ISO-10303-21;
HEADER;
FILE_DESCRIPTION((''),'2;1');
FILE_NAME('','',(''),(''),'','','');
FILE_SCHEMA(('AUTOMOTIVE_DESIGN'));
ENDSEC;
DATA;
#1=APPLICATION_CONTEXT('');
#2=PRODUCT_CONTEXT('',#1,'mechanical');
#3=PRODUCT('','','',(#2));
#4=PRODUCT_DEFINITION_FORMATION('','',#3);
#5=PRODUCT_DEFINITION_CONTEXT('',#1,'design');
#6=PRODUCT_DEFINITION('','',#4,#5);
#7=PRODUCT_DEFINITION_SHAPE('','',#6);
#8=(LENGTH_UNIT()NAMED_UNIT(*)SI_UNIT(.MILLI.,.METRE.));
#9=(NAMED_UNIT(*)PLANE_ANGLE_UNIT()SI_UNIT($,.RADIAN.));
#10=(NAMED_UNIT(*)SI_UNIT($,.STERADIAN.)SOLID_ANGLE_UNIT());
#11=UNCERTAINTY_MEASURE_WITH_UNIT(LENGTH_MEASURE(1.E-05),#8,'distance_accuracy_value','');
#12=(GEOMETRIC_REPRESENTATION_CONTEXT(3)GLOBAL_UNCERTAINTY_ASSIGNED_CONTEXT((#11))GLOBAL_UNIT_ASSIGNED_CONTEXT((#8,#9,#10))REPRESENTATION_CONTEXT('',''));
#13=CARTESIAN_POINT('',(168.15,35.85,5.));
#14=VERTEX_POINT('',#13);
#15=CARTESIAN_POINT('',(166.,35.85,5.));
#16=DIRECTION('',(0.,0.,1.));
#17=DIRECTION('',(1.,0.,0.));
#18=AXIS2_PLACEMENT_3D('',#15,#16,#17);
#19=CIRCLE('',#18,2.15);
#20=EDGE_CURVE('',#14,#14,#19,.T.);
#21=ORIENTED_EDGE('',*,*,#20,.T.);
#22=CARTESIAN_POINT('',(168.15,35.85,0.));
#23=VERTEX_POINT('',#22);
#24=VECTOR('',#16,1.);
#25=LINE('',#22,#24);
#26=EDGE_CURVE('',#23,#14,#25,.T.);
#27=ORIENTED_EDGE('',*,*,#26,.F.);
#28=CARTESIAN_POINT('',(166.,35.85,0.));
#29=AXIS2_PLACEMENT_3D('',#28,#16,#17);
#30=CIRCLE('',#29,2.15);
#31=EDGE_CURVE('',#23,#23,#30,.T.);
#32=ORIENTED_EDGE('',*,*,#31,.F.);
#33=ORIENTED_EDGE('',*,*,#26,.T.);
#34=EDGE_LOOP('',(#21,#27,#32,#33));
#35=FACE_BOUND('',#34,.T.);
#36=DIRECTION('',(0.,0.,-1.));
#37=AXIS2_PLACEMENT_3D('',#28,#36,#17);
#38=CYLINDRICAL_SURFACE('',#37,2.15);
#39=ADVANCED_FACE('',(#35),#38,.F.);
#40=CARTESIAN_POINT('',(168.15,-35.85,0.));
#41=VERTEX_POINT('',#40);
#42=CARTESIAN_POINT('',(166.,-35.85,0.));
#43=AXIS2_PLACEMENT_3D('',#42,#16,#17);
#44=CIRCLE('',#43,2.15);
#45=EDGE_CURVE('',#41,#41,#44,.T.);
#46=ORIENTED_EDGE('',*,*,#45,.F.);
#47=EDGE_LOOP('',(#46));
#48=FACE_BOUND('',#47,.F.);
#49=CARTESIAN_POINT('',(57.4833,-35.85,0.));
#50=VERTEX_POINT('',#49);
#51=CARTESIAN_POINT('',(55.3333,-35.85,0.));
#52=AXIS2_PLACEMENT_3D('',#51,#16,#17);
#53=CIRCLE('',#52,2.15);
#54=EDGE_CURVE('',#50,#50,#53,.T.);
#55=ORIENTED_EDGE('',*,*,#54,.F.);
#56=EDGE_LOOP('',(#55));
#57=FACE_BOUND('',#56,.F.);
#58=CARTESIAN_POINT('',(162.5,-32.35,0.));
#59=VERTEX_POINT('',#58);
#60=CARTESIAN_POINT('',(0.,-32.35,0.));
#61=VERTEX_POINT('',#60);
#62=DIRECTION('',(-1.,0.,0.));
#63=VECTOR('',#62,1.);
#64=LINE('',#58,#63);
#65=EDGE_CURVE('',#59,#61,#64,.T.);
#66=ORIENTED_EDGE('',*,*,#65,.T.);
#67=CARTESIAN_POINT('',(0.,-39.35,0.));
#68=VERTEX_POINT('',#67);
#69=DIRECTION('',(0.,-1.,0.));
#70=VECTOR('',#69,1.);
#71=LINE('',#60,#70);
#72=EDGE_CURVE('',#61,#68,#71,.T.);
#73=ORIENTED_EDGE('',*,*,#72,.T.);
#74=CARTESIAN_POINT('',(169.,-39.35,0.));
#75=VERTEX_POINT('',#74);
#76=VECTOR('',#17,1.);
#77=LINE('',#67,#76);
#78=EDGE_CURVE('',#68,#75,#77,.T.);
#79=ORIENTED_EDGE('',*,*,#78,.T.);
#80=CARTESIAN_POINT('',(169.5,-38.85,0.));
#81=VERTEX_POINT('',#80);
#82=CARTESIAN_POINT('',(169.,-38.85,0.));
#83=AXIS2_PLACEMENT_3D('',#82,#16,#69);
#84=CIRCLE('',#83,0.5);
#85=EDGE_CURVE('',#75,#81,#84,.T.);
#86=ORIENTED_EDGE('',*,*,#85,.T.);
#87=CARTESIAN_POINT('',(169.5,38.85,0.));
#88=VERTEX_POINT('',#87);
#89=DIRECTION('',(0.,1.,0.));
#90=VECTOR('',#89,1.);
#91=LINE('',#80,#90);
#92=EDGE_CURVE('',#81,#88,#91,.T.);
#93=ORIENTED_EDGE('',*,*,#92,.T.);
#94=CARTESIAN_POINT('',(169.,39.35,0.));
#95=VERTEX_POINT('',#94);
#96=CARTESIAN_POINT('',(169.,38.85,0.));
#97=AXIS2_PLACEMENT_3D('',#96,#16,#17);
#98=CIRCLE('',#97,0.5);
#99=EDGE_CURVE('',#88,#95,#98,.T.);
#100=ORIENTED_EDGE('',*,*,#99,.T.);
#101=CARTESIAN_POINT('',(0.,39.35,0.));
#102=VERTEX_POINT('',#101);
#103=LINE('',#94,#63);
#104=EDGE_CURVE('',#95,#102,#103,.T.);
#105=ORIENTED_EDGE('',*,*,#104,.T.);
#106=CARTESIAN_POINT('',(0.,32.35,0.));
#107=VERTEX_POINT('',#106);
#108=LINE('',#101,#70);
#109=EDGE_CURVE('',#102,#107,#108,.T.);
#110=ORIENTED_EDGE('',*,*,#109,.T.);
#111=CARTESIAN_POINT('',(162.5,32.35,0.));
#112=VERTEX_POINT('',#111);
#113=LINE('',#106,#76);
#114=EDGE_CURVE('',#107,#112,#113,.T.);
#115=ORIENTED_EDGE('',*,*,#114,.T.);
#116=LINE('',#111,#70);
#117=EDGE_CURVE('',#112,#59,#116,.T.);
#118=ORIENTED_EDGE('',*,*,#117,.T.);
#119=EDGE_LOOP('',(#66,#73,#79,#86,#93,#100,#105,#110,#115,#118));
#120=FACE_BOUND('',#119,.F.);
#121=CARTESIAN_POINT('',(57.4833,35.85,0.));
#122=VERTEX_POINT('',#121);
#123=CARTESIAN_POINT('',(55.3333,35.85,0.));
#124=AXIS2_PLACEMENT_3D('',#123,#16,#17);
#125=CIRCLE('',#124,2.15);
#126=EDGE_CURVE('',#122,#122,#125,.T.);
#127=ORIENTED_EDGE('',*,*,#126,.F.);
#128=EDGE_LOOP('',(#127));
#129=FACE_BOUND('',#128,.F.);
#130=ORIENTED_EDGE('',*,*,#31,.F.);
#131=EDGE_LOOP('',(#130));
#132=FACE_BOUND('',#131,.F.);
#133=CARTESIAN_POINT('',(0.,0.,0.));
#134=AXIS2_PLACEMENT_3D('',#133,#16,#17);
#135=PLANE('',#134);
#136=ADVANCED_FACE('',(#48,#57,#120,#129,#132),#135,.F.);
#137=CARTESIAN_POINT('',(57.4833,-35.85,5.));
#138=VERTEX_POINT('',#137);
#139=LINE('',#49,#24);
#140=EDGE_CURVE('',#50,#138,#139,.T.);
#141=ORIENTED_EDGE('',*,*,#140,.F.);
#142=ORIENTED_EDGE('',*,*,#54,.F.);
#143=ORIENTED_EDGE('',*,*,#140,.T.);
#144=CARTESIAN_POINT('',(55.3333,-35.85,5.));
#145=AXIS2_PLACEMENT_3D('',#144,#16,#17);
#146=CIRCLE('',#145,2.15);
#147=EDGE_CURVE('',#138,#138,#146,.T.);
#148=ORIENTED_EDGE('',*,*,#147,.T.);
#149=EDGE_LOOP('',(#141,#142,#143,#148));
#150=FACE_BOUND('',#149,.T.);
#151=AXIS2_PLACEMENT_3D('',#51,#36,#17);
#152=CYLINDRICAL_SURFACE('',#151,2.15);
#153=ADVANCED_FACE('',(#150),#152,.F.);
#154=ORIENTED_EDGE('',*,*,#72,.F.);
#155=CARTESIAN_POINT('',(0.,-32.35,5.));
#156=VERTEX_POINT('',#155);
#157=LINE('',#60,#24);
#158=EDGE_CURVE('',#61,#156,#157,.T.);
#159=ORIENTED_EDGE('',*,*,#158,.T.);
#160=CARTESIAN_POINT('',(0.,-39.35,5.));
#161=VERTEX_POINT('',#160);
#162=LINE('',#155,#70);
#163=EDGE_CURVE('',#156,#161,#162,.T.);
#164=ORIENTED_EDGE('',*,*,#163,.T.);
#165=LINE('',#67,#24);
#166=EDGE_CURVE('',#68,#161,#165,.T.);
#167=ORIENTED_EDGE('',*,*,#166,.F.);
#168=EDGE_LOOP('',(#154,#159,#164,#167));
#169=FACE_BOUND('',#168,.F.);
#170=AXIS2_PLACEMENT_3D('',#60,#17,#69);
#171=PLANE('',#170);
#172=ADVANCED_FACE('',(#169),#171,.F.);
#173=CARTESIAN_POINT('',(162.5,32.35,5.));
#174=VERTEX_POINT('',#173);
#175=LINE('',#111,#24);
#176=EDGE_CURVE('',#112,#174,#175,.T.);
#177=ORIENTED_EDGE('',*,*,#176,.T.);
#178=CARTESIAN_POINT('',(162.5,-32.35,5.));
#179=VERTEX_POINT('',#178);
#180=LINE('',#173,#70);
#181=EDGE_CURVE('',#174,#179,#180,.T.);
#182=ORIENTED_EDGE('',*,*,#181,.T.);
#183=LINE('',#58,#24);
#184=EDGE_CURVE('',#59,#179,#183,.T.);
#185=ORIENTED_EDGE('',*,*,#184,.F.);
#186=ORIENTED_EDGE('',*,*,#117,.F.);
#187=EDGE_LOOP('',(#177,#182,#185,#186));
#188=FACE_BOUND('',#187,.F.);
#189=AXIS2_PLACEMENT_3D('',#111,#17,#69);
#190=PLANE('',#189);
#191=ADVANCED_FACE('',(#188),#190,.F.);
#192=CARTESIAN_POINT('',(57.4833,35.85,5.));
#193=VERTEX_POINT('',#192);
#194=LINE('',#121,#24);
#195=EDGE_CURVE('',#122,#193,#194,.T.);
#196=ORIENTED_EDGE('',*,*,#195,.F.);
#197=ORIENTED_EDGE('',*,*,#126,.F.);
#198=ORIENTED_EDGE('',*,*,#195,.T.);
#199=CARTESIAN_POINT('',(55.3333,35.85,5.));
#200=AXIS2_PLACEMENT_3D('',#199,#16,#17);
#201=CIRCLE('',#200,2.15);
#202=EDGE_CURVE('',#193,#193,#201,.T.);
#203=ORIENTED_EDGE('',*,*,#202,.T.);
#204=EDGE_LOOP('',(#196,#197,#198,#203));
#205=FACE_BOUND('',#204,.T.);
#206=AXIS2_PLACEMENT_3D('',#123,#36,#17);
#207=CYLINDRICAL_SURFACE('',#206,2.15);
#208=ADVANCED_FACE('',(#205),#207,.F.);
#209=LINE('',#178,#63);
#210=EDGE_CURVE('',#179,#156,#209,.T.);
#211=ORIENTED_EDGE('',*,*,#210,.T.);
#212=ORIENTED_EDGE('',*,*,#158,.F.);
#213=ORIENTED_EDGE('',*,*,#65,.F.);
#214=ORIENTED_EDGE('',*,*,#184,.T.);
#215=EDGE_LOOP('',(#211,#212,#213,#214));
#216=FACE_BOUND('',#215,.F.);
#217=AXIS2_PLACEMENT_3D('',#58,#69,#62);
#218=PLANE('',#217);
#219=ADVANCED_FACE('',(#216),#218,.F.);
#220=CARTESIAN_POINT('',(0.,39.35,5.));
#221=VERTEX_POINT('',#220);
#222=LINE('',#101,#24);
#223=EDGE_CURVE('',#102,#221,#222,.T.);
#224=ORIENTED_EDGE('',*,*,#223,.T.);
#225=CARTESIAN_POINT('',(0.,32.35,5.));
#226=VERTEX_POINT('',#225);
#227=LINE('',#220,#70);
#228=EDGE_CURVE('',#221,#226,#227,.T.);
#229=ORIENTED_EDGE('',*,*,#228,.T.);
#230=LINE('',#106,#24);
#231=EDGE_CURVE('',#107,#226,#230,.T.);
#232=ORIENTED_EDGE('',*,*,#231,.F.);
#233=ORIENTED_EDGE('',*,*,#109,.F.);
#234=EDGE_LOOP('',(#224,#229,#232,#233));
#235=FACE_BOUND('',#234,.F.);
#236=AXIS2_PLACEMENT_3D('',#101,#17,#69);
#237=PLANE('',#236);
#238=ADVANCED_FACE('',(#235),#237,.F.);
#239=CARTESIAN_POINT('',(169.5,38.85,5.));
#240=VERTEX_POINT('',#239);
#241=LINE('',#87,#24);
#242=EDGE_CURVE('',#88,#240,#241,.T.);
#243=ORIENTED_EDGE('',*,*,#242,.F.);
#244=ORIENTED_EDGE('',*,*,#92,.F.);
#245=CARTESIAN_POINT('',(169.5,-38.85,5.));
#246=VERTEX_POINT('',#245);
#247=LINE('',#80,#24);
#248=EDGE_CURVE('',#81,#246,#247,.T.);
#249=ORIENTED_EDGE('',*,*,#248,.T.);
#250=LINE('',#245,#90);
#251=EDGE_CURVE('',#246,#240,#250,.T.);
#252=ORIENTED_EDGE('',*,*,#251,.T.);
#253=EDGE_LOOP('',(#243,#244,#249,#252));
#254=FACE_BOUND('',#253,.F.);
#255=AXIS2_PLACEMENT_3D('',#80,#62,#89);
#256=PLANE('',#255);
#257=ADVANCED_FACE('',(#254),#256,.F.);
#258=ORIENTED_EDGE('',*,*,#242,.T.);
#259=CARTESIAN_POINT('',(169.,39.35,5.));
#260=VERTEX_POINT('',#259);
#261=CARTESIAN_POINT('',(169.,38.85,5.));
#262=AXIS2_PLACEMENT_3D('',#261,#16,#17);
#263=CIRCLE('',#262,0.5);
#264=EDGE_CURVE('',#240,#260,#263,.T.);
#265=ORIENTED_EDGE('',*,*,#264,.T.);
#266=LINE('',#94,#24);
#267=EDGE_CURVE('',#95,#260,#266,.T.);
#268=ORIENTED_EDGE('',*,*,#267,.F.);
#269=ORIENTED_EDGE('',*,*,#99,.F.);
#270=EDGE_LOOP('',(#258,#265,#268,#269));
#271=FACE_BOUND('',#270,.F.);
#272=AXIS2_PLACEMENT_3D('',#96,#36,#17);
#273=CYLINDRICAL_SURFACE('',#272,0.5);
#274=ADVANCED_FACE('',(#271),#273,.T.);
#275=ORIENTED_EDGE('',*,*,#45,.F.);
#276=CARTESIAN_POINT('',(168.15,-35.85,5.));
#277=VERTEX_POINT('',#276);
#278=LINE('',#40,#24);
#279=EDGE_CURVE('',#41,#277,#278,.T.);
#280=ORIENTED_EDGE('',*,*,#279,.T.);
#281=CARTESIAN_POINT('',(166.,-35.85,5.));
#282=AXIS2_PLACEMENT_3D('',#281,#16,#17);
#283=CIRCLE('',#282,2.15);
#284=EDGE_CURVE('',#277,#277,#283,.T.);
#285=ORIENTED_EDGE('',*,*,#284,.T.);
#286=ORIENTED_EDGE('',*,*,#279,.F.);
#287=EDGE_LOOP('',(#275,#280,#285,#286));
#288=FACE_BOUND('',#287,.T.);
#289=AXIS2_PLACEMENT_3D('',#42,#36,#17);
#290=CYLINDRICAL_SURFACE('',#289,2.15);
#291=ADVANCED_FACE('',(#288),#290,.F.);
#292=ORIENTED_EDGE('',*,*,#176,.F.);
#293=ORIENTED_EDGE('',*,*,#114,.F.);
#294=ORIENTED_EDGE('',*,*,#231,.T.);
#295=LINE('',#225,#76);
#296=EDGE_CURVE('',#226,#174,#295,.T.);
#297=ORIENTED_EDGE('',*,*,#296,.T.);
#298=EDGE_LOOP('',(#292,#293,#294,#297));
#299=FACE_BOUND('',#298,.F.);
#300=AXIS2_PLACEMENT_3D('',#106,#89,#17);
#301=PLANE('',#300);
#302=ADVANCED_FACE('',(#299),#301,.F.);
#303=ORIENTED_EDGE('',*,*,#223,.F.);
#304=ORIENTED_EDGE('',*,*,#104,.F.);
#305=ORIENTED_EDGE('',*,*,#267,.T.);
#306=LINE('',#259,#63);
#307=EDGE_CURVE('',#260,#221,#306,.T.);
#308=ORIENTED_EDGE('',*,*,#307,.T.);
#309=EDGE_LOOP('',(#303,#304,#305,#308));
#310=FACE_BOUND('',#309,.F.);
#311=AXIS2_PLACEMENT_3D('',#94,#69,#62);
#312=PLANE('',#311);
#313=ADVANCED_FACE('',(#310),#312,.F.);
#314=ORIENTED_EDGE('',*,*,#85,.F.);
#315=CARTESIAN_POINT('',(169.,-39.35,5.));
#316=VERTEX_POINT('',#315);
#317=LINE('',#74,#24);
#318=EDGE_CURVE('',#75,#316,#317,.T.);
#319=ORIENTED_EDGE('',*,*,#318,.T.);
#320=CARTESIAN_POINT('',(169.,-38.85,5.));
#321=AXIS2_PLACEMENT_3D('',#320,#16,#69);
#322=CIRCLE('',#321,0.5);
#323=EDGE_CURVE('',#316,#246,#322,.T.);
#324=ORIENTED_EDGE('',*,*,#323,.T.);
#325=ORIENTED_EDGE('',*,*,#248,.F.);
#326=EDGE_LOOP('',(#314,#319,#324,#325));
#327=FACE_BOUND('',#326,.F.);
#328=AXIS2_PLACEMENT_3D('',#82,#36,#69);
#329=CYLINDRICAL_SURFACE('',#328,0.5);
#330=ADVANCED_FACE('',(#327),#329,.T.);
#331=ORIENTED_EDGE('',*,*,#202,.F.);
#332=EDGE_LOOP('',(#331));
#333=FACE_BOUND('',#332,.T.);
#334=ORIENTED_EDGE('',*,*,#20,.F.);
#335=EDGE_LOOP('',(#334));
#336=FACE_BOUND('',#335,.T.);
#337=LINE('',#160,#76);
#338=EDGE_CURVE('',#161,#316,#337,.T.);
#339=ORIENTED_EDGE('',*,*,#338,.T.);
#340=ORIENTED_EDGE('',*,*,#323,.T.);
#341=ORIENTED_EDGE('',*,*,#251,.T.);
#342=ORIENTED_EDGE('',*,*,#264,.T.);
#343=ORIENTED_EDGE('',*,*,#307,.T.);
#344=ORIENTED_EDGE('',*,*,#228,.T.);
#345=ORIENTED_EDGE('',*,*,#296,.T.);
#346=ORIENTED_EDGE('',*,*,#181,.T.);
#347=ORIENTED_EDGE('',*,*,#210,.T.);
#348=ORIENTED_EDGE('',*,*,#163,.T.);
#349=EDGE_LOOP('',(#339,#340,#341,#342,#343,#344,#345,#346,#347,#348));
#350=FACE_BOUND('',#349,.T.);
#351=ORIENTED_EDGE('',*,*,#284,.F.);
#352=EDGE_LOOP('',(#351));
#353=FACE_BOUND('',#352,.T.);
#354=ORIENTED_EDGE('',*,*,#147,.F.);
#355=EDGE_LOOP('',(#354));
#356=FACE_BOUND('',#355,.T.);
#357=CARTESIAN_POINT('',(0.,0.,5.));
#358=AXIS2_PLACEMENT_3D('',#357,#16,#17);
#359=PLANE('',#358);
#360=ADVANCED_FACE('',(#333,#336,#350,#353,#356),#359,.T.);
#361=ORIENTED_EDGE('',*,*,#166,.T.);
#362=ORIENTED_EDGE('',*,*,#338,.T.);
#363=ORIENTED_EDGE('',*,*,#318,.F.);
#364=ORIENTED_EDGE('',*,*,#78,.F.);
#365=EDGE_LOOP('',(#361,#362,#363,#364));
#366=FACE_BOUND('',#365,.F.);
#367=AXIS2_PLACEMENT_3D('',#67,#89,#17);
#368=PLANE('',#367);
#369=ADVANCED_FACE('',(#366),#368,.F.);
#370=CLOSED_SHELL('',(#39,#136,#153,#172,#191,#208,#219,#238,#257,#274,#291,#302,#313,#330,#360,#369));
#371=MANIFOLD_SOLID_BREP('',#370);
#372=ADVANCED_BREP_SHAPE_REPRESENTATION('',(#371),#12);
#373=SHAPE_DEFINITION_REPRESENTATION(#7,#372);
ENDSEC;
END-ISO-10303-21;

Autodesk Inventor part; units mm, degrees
ref_plane "YZ Plane" through (0, 0, 0) normal (1, 0, 0) x (0, 1, 0)
ref_plane "XZ Plane" through (0, 0, 0) normal (0, 1, 0) x (-1, 0, 0)
ref_plane "XY Plane" through (0, 0, 0) normal (0, 0, 1) x (1, 0, 0)
sketch "Boceto1" plane through (0, 0, 0) normal (0, 0, 1) x (1, 0, 0)
  line L0 (0, -32.35) -> (0, -39.35) projected
  line L1 (0, -39.35) -> (169, -39.35) projected
  arc A0 (169, -39.35) -> (169.5, -38.85) centre (169, -38.85) ccw projected
  line L2 (169.5, -38.85) -> (169.5, 38.85) projected
  arc A1 (169.5, 38.85) -> (169, 39.35) centre (169, 38.85) ccw projected
  line L3 (169, 39.35) -> (0, 39.35) projected
  line L4 (0, 39.35) -> (0, 32.35) projected
  line L5 (0, 32.35) -> (162.5, 32.35) projected
  line L6 (162.5, 32.35) -> (162.5, -32.35) projected
  line L7 (162.5, -32.35) -> (0, -32.35) projected
  circle A2 centre (166, 35.85) radius 2.15 projected
  circle A3 centre (166, -35.85) radius 2.15 projected
  circle A4 centre (55.3333, 35.85) radius 2.15 projected
  circle A5 centre (55.3333, -35.85) radius 2.15 projected
  point P0 (0, 0)
extrude "Extrusión1" add sketch "Boceto1" along normal blind 5
properties part number "ExtensionMarco"
